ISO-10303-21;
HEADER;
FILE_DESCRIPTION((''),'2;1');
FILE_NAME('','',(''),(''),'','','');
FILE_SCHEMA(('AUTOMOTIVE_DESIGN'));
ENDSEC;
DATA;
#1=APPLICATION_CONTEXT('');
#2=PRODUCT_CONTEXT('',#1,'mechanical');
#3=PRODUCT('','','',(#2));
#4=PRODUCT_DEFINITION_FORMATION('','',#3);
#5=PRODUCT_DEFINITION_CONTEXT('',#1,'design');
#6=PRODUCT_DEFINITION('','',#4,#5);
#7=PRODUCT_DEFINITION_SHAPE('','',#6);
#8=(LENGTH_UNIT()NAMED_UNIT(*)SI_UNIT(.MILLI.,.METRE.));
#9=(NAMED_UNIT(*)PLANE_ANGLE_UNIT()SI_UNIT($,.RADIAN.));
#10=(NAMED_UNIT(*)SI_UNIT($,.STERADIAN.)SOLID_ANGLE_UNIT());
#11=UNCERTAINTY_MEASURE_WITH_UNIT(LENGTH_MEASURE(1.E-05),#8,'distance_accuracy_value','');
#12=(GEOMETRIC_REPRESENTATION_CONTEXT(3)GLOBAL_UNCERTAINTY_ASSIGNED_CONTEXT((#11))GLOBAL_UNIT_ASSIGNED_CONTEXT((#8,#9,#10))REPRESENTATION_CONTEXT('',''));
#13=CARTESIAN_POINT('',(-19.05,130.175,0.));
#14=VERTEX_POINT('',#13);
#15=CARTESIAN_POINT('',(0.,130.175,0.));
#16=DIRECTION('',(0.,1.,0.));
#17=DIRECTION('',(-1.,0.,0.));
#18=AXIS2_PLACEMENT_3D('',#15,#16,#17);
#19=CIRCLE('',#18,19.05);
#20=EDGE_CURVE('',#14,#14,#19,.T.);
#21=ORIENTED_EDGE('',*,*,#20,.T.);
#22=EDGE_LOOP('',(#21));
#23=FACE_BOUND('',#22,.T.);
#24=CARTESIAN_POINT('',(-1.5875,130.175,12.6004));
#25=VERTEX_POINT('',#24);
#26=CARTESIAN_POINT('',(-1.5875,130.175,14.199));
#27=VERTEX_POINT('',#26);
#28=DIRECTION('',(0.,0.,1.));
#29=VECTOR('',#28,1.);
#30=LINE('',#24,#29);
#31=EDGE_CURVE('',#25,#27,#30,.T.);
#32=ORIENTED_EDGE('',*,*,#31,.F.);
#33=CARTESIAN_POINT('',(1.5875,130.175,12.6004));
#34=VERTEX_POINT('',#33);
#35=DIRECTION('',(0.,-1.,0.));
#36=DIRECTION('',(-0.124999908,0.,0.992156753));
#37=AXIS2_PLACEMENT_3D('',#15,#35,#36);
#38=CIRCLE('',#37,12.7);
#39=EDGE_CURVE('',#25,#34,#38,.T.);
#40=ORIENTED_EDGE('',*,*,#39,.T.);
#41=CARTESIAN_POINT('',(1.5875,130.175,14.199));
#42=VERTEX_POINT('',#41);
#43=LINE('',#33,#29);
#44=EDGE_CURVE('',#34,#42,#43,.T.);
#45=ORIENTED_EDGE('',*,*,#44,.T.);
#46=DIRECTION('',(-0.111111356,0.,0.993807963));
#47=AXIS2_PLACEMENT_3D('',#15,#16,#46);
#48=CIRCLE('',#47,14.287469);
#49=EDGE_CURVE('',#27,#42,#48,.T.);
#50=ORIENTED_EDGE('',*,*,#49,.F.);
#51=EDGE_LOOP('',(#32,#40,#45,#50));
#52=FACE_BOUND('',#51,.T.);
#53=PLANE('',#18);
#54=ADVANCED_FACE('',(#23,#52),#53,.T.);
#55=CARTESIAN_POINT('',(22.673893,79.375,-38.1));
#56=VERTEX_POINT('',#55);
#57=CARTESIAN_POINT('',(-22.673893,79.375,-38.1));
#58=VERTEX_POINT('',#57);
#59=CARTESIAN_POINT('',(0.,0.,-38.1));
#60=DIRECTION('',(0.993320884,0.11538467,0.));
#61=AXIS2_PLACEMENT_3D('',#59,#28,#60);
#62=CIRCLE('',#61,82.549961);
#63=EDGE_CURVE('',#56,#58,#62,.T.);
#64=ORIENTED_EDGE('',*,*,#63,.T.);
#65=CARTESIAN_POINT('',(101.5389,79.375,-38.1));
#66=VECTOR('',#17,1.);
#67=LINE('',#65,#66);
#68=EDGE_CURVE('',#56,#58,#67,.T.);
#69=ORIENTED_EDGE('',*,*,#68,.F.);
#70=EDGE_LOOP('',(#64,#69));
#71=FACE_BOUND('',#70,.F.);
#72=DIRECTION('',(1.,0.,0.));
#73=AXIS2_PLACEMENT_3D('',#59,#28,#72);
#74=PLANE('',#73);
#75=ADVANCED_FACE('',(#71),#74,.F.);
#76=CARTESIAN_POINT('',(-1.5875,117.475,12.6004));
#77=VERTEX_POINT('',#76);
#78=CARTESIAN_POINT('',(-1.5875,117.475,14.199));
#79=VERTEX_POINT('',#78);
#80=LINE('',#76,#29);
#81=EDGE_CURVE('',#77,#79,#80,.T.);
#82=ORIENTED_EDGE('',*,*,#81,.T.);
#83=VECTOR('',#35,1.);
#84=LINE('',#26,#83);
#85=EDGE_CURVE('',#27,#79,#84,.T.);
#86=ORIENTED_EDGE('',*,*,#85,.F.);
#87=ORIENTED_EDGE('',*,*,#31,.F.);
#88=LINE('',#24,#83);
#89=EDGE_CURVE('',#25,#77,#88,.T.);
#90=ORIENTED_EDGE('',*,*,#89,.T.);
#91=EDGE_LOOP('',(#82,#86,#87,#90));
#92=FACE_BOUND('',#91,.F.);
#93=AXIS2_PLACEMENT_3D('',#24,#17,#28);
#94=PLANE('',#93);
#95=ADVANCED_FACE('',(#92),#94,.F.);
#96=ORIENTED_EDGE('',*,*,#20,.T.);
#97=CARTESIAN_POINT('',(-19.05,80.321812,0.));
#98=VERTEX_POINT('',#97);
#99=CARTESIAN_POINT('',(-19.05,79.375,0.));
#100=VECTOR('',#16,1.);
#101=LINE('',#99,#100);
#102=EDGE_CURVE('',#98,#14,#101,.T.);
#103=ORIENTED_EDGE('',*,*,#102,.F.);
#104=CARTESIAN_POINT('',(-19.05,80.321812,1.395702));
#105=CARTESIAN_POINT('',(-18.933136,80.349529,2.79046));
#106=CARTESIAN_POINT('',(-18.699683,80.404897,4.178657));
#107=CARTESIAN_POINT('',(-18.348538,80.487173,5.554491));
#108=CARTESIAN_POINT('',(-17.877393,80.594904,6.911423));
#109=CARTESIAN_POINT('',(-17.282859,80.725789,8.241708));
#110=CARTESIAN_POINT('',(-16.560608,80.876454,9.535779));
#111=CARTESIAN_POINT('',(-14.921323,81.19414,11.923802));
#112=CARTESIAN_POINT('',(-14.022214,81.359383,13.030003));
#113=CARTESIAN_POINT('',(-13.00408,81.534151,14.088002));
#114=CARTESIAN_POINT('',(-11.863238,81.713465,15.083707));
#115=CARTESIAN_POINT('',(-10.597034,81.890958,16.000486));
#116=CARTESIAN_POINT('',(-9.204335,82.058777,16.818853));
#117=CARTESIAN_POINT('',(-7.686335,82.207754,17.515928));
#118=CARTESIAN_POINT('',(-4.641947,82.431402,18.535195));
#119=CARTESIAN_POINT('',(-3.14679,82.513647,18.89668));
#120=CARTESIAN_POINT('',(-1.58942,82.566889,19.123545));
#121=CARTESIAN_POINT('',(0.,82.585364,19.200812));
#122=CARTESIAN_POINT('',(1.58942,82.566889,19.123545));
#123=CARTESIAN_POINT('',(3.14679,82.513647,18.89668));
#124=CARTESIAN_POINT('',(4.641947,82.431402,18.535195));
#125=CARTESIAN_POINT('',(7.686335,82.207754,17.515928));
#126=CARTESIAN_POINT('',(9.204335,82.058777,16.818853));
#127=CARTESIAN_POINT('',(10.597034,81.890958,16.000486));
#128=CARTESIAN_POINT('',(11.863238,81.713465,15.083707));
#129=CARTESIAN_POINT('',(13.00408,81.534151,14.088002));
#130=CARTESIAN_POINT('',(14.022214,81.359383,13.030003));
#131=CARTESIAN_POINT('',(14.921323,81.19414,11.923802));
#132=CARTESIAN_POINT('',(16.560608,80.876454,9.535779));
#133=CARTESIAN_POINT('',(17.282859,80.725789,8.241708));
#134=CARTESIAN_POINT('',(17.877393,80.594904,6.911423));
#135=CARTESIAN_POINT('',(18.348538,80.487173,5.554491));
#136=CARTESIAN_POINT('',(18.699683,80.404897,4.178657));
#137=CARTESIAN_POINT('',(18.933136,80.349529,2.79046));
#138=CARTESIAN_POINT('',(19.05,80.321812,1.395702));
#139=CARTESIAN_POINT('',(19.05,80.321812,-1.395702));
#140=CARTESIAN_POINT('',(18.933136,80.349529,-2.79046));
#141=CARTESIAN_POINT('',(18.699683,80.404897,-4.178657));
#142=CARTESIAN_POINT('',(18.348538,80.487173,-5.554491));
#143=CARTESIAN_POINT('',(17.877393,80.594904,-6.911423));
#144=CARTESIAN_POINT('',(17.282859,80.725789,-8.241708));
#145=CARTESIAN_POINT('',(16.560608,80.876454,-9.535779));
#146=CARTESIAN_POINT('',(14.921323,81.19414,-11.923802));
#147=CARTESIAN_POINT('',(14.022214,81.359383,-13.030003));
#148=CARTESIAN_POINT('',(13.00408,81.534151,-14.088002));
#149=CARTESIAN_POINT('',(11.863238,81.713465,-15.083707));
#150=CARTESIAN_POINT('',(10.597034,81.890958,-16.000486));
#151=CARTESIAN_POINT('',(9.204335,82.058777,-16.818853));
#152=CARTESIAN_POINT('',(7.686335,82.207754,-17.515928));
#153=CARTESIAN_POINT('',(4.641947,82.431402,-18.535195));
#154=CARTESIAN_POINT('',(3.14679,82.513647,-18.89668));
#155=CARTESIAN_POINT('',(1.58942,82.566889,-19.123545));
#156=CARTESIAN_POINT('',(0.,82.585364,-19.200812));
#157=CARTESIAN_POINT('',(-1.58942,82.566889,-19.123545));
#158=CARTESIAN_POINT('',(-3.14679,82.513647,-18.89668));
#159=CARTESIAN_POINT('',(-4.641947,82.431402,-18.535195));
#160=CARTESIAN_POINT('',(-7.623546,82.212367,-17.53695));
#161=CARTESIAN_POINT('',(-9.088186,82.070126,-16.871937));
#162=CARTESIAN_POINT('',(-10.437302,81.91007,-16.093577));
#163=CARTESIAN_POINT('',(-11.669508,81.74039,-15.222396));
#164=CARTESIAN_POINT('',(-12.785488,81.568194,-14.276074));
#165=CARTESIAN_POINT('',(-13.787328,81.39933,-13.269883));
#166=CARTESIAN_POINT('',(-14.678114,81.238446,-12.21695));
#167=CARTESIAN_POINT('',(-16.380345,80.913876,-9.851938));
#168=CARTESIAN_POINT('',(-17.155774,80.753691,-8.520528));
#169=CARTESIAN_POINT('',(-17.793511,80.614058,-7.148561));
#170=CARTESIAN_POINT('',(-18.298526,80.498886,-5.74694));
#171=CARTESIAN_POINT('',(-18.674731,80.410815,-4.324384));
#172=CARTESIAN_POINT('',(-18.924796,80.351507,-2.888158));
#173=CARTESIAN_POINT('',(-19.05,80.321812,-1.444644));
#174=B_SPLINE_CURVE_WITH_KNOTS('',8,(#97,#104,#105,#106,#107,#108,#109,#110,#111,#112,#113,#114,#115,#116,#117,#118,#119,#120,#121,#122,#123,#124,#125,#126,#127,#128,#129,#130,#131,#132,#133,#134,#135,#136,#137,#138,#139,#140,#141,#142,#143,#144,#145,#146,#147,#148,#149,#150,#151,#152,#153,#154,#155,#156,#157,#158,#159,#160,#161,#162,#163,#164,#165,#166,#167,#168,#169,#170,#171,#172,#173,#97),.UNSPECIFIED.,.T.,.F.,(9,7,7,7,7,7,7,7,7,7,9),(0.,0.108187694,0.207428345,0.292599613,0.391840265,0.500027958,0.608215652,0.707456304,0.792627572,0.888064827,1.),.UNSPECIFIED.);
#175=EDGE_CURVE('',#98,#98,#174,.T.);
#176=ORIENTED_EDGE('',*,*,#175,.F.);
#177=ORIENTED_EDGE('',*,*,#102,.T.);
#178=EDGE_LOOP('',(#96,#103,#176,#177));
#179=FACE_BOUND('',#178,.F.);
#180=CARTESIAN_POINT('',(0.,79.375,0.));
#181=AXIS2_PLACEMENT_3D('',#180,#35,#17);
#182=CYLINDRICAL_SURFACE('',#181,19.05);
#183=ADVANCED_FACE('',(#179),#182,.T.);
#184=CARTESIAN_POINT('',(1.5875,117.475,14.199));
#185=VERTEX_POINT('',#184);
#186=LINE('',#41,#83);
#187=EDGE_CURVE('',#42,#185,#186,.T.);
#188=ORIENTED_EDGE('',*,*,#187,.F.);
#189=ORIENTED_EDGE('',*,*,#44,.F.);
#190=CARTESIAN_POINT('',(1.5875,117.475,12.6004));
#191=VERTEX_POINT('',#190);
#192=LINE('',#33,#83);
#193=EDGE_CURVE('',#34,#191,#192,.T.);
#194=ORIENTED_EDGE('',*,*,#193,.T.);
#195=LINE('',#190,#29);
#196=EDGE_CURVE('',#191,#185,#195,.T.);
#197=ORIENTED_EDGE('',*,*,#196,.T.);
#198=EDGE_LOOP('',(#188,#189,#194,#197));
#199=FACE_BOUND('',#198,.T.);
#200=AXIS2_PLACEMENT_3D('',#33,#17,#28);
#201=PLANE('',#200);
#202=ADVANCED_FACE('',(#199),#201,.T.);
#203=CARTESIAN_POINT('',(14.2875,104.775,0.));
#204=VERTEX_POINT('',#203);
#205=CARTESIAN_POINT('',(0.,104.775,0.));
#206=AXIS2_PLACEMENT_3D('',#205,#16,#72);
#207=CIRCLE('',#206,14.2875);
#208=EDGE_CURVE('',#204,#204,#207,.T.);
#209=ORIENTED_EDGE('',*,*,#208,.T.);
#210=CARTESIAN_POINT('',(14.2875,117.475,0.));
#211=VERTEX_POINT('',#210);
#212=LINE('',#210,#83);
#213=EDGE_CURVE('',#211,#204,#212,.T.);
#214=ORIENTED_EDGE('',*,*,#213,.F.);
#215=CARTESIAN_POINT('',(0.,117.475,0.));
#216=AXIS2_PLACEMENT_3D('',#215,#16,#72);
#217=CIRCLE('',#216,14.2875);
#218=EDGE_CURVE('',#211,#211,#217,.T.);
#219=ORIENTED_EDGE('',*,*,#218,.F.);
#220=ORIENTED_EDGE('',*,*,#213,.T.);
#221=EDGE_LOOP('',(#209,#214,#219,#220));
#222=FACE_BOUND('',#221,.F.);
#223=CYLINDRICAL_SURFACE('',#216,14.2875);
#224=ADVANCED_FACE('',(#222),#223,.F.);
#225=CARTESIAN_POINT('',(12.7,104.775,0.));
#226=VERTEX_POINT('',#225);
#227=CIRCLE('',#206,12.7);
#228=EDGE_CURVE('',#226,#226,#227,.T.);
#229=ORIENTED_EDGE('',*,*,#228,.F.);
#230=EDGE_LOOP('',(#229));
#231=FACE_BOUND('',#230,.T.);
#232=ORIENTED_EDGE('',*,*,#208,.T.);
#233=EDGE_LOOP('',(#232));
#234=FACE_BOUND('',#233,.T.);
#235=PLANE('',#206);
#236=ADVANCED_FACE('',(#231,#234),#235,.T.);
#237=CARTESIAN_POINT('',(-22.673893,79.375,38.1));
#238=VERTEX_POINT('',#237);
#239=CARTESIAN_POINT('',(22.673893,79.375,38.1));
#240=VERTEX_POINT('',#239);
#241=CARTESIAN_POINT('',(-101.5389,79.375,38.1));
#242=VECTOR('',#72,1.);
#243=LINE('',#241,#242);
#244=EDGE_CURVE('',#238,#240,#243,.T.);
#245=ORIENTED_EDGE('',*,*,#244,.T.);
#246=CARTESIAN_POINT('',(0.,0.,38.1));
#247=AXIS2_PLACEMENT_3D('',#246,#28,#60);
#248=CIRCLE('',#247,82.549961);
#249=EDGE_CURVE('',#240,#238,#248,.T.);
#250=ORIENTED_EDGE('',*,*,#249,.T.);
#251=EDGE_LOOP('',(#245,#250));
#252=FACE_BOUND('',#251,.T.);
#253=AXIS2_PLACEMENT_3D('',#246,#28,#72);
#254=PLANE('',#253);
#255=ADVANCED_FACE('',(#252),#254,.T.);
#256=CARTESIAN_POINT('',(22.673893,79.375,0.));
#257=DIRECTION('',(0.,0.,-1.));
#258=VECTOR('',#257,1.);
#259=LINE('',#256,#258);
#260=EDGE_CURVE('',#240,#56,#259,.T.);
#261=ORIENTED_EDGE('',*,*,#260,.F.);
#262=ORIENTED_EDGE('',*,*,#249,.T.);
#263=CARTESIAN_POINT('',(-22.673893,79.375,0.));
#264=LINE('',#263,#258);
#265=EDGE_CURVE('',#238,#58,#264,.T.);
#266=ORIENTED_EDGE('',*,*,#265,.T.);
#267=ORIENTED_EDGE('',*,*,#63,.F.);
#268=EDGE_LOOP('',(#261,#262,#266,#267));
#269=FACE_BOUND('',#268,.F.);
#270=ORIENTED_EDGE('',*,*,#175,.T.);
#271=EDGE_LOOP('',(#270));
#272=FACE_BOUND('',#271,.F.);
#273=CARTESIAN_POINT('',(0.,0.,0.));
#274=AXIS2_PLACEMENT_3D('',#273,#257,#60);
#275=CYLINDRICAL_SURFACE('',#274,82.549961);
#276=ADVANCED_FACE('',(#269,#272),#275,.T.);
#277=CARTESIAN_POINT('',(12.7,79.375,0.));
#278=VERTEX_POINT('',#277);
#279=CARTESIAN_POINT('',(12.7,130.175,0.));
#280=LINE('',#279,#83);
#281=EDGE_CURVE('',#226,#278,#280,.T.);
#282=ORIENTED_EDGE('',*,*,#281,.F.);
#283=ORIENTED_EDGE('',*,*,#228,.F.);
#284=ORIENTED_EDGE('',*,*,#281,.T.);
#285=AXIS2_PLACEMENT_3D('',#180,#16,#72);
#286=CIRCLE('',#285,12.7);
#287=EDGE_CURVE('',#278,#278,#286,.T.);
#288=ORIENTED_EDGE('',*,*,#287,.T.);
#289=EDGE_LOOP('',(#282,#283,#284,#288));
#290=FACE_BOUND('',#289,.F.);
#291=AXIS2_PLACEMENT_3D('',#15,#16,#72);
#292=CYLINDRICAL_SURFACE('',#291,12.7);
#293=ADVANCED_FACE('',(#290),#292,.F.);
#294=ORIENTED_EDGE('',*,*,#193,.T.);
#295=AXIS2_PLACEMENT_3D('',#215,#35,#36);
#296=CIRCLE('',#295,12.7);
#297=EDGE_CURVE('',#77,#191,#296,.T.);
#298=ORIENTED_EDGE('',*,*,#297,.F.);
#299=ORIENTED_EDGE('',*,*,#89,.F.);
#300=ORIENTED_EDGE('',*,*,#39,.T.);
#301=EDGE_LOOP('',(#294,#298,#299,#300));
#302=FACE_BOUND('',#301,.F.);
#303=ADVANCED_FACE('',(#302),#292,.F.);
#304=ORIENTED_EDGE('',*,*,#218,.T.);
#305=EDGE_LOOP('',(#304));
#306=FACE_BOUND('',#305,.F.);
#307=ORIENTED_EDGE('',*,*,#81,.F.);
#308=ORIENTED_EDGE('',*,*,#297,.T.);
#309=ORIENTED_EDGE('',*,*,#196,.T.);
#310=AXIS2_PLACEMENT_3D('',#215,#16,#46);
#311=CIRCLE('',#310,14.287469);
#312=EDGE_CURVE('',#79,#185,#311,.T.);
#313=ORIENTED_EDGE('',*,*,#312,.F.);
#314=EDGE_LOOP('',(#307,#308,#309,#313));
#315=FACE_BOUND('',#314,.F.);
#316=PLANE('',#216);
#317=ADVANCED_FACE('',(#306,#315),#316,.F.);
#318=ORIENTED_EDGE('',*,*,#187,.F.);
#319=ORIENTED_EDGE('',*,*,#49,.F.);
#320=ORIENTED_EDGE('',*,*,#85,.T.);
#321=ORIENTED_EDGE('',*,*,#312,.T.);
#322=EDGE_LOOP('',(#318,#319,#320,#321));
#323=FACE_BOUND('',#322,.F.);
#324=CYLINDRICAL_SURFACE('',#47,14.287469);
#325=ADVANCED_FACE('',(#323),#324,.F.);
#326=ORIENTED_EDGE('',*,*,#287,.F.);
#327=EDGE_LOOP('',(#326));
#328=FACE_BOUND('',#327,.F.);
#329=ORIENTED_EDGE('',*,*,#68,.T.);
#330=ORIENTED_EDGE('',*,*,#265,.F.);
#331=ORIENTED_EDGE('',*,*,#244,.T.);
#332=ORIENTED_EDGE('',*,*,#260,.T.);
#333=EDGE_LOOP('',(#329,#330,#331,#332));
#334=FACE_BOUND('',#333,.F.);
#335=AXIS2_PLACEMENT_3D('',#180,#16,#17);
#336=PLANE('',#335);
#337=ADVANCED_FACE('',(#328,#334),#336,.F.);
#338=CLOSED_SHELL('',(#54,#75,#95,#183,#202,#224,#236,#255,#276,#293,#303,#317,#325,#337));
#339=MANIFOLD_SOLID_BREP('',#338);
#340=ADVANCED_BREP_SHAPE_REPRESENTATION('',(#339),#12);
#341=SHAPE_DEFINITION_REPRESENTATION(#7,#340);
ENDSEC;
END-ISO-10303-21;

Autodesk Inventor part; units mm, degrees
ref_plane "YZ Plane" through (0, 0, 0) normal (1, 0, 0) x (0, 1, 0)
ref_plane "XY Plane" through (0, 0, 0) normal (0, 0, 1) x (1, 0, 0)
sketch "Sketch8" plane through (0, 0, 0) normal (0, 0, 1) x (1, 0, 0)
  arc A0 (76.1338, 3.175) -> (-76.1338, 3.175) centre (0, 0) ccw
  arc A1 (81.9986, 9.525) -> (-81.9986, 9.525) centre (0, 0) ccw
  line L0 (-82.4889, 3.175) -> (-101.5389, 3.175)
  line L1 (-101.5389, 3.175) -> (-101.5389, 9.525)
  line L2 (-101.5389, 9.525) -> (-81.9986, 9.525)
  line L3 (0, 0) -> (0, 82.55) construction
  line L4 (-82.4889, 3.175) -> (-76.1338, 3.175)
  line L5 (82.4889, 3.175) -> (101.5389, 3.175)
  line L6 (101.5389, 3.175) -> (101.5389, 9.525)
  line L7 (101.5389, 9.525) -> (81.9986, 9.525)
  line L8 (82.4889, 3.175) -> (76.1338, 3.175)
  dimension "d52" = 152.4
  dimension "d53" = 6.35
  dimension "d54" = 19.05
  dimension "d55" = 3.175
  dimension "d56" = 6.35
extrude "Extrusion5" add sketch "Sketch8" along normal mid plane 76.2
sketch "Sketch9" plane through (-101.5389, 9.525, 38.1) normal (0, 1, 0) x (1, 0, 0)
  line L0 (19.5403, 0) -> (0, 0) construction
  line L1 (9.7701, 0) -> (9.7701, 76.2) construction
  line L2 (25.4051, 76.2) -> (0, 76.2) construction
  line L3 (9.7701, 25.4) -> (9.7701, 101.6) construction
  line L4 (9.7701, 50.8) -> (9.7701, 127) construction
  point P0 (101.5389, 38.1)
  point P1 (9.7701, 12.7)
  point P2 (9.7701, 38.1)
  point P3 (9.7701, 63.5)
  dimension "d59" = 12.7
  dimension "d62" = 25.4
hole "Hole3" at (-91.7688, 9.525, 25.4) at (-91.7688, 9.525, 0) at (-91.7688, 9.525, -25.4) direction (0, -1, 0) diameter 6.7564 end through all clearance for "Socket Head Cap Screw" size "1/4" standard "Ansi Unified Screw Threads"
mirror "Mirror3" about plane through (0, 0, 0) normal (1, 0, 0) of "Hole3"
ref_plane "Work Plane7" through (0, 79.375, 0) normal (0, 1, 0) x (-1, 0, 0)
sketch "Sketch20" plane through (0, 79.375, 0) normal (0, 1, 0) x (-1, 0, 0)
  circle A0 centre (0, 0) radius 19.05
  dimension "d101" = 38.1
extrude "Extrusion11" add sketch "Sketch20" along normal blind 50.8
sketch "Sketch22" plane through (0, 130.175, 0) normal (0, 1, 0) x (1, 0, 0)
  circle A0 centre (0, 0) radius 12.7
  dimension "d111" = 25.4
extrude "Extrusion13" cut sketch "Sketch22" against normal blind 50.8
sketch "Sketch23" plane through (0, 130.175, 0) normal (0, 1, 0) x (1, 0, 0)
  circle A0 centre (0, 0) radius 12.7 projected
  arc A1 (-1.5875, -12.6004) -> (1.5875, -12.6004) centre (0, 0) ccw
  arc A2 (-1.5875, -14.199) -> (1.5875, -14.199) centre (0, 0) ccw
  line L0 (0, 0) -> (0, -14.2875) construction
  line L1 (-1.5875, -12.6004) -> (-1.5875, -14.199)
  line L2 (1.5875, -12.6004) -> (1.5875, -14.199)
  point P0 (1.5875, -12.6004)
  dimension "d114" = 28.575
  dimension "d115" = 1.5875
  dimension "d116" = 1.5875
  dimension "d117" = 25.4
extrude "Extrusion14" cut sketch "Sketch23" against normal blind 12.7 contours A0 L2 A2 L1
ref_plane "Work Plane9" through (0, 117.475, 0) normal (0, 1, 0) x (1, 0, 0)
sketch "Sketch24" plane through (0, 117.475, 0) normal (0, 1, 0) x (1, 0, 0)
  circle A0 centre (0, 0) radius 14.2875
  dimension "d121" = 28.575
extrude "Extrusion15" cut sketch "Sketch24" against normal blind 12.7
sketch "Sketch25" plane through (0, 79.375, 0) normal (0, 1, 0) x (-1, 0, 0)
  line L0 (101.5389, -38.1) -> (101.5389, 38.1) projected
  line L1 (81.9986, 38.1) -> (101.5389, 38.1) projected
  line L2 (101.5389, -38.1) -> (81.9986, -38.1) projected
  line L3 (-81.9986, -38.1) -> (-101.5389, -38.1) projected
  line L4 (-101.5389, 38.1) -> (-81.9986, 38.1) projected
  line L5 (-101.5389, -38.1) -> (-101.5389, 38.1) projected
  line L6 (101.5389, -38.1) -> (101.5389, 38.1) projected
  line L7 (-101.5389, -38.1) -> (-76.1338, -38.1) projected
  line L8 (101.5389, 38.1) -> (-101.5389, 38.1)
  line L9 (-101.5389, 38.1) -> (-101.5389, -38.1)
  line L10 (-101.5389, -38.1) -> (101.5389, -38.1)
  line L11 (101.5389, -38.1) -> (101.5389, 38.1)
  point P0 (0, 0)
extrude "Extrusion16" cut sketch "Sketch25" against normal blind 76.2
properties part number "tubeBracketV03" material "PC/ABS Plastic"
